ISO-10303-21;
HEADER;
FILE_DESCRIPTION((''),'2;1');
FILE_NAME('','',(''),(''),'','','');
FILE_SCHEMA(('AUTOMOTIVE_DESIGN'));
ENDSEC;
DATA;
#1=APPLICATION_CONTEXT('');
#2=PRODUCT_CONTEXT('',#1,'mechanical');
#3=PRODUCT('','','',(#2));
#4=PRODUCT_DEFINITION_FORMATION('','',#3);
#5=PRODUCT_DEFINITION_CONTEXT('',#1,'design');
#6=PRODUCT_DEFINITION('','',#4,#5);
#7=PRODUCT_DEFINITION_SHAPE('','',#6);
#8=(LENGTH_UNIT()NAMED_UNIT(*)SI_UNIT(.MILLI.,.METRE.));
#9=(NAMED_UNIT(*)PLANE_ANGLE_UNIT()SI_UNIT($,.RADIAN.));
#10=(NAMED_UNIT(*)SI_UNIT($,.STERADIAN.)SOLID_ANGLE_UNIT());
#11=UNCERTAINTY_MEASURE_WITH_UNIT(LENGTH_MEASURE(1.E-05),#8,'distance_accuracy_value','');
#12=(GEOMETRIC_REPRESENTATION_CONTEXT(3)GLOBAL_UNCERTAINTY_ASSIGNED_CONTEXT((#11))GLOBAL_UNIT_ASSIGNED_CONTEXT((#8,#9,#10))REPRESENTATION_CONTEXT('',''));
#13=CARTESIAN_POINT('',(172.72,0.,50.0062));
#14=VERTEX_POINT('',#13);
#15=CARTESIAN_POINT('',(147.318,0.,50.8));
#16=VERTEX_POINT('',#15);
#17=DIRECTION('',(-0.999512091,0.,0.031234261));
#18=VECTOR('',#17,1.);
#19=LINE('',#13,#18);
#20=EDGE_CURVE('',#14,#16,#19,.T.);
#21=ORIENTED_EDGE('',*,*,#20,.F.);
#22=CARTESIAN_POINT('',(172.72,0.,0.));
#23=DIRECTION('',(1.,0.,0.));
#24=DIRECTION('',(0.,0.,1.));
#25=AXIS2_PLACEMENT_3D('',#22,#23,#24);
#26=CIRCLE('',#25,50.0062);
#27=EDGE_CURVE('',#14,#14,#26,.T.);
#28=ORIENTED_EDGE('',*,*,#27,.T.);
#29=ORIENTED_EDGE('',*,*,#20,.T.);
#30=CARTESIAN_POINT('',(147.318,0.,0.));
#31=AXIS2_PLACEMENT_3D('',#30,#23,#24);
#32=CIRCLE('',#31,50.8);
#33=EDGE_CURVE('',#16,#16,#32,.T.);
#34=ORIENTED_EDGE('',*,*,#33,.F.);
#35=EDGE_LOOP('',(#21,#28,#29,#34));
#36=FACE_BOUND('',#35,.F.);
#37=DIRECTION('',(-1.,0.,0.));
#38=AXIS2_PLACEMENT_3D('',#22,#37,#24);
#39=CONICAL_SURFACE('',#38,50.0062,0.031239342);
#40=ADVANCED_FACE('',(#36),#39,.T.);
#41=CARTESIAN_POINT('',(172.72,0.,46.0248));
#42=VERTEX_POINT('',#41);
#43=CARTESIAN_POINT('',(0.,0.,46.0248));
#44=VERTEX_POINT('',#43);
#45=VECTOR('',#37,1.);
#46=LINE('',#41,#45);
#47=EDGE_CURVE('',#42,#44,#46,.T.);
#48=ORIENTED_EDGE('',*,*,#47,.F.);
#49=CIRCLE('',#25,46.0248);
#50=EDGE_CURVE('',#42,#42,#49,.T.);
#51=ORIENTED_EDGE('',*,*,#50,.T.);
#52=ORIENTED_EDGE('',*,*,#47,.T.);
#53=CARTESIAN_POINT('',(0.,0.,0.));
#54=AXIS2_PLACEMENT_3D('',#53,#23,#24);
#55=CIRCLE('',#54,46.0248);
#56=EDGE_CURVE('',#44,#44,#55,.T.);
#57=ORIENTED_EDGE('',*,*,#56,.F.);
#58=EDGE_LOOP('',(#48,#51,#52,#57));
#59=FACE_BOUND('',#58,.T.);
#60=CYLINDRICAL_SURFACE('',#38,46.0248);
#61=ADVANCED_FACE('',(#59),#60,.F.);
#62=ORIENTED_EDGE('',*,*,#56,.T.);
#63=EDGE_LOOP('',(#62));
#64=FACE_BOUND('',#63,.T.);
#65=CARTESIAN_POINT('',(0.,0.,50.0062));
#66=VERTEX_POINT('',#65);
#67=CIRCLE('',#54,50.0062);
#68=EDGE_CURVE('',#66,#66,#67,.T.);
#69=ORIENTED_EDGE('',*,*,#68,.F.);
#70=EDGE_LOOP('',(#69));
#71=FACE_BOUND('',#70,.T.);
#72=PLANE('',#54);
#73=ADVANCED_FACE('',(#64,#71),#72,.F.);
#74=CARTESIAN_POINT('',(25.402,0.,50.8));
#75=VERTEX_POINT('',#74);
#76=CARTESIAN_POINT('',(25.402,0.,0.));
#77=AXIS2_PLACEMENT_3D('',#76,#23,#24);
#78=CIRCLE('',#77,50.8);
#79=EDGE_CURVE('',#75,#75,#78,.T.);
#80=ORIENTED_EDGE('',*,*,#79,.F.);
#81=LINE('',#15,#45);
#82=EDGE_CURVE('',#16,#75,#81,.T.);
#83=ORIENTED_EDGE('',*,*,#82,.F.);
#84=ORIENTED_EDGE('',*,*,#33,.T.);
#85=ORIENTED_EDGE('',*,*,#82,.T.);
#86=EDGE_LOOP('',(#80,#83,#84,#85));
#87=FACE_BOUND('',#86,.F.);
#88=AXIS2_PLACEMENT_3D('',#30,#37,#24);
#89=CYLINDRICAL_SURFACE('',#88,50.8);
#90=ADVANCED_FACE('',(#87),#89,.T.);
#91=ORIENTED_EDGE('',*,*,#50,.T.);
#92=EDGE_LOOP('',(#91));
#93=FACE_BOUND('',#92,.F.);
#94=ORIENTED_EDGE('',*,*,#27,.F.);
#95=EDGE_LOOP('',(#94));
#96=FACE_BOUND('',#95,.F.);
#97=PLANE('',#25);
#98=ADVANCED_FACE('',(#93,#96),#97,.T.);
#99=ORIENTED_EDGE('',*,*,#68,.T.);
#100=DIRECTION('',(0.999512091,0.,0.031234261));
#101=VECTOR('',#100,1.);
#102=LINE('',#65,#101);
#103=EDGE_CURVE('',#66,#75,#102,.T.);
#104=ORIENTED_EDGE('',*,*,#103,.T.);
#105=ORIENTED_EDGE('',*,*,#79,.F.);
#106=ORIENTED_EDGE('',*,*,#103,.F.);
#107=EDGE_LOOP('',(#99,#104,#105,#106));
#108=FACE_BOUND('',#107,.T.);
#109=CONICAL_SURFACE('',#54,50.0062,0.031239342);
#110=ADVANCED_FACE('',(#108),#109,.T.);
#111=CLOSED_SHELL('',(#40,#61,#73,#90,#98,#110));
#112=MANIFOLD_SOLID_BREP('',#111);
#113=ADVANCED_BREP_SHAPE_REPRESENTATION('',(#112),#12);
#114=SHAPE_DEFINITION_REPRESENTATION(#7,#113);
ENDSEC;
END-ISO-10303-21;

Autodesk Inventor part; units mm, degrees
ref_plane "YZ Plane" through (0, 0, 0) normal (1, 0, 0) x (0, 1, 0)
ref_plane "XZ Plane" through (0, 0, 0) normal (0, 1, 0) x (-1, 0, 0)
ref_plane "XY Plane" through (0, 0, 0) normal (0, 0, 1) x (1, 0, 0)
sketch "Sketch1" plane through (0, 0, 0) normal (0, 1, 0) x (-1, 0, 0)
  line L0 (0, 0) -> (-172.72, 0)
  line L1 (-172.72, 0) -> (-172.72, 46.0248) construction
  line L2 (-172.72, 46.0248) -> (-172.72, 50.0062)
  line L3 (-172.72, 50.0062) -> (-147.318, 50.8)
  line L4 (-147.318, 50.8) -> (-25.402, 50.8)
  line L5 (-86.36, 0) -> (-86.36, 50.8) construction
  line L6 (-172.72, 46.0248) -> (0, 46.0248)
  line L7 (0, 0) -> (0, 46.0248) construction
  line L8 (0, 46.0248) -> (0, 50.0062)
  line L9 (0, 50.0062) -> (-25.402, 50.8)
  line L10 (-140.97, 50.9984) -> (-140.97, 0) construction
  line L11 (-31.75, 50.9984) -> (-31.75, 0) construction
  line L12 (-147.318, 50.8) -> (-140.97, 50.9984) construction
  line L13 (-147.318, 50.8) -> (-147.318, 0) construction
  line L14 (-25.402, 50.8) -> (-31.75, 50.9984) construction
  line L15 (-25.402, 50.8) -> (-25.402, 0) construction
  dimension "d0" = 101.6
  dimension "d1" = 1.79
  dimension "d2" = 92.0496
  dimension "d3" = 172.72
  dimension "d4" = 31.75
  dimension "d5" = 101.9968
revolve "Revolution1" add sketch "Sketch1" angle 360 about axis through (0, 0, 0) along (1, 0, 0)
thread "Thread1" size "3 1/2" designation "3 1/2 - 8 NPT" standard "NPT" full length
thread "Thread2" size "3 1/2" designation "3 1/2 - 8 NPT" standard "NPT" full length
equation "\"d0\" = OD"
equation "\"d2\" = ID"
equation "\"d3\" = L"
equation "\"d4\" = L2"
equation "\"d5\" = D2"
equation "\"OD\" = 101.6"
equation "\"t\" = 4.7752"
equation "\"L\" = PL"
equation "\"L4\" = 42.76598"
equation "\"ID\" = 92.0496"
equation "\"PL\" = 172.72"
equation "\"D2\" = 101.99675"
equation "\"L2\" = 31.75"
equation "\"Size_Designation\" = 1.2345"
equation "\"PLmin\" = 2 * L2"
properties part number "ASME B36.10M Pipe with Threaded Ends 3 1/2 - Schedule 30 - 6.8" material "Steel, Wrought"
